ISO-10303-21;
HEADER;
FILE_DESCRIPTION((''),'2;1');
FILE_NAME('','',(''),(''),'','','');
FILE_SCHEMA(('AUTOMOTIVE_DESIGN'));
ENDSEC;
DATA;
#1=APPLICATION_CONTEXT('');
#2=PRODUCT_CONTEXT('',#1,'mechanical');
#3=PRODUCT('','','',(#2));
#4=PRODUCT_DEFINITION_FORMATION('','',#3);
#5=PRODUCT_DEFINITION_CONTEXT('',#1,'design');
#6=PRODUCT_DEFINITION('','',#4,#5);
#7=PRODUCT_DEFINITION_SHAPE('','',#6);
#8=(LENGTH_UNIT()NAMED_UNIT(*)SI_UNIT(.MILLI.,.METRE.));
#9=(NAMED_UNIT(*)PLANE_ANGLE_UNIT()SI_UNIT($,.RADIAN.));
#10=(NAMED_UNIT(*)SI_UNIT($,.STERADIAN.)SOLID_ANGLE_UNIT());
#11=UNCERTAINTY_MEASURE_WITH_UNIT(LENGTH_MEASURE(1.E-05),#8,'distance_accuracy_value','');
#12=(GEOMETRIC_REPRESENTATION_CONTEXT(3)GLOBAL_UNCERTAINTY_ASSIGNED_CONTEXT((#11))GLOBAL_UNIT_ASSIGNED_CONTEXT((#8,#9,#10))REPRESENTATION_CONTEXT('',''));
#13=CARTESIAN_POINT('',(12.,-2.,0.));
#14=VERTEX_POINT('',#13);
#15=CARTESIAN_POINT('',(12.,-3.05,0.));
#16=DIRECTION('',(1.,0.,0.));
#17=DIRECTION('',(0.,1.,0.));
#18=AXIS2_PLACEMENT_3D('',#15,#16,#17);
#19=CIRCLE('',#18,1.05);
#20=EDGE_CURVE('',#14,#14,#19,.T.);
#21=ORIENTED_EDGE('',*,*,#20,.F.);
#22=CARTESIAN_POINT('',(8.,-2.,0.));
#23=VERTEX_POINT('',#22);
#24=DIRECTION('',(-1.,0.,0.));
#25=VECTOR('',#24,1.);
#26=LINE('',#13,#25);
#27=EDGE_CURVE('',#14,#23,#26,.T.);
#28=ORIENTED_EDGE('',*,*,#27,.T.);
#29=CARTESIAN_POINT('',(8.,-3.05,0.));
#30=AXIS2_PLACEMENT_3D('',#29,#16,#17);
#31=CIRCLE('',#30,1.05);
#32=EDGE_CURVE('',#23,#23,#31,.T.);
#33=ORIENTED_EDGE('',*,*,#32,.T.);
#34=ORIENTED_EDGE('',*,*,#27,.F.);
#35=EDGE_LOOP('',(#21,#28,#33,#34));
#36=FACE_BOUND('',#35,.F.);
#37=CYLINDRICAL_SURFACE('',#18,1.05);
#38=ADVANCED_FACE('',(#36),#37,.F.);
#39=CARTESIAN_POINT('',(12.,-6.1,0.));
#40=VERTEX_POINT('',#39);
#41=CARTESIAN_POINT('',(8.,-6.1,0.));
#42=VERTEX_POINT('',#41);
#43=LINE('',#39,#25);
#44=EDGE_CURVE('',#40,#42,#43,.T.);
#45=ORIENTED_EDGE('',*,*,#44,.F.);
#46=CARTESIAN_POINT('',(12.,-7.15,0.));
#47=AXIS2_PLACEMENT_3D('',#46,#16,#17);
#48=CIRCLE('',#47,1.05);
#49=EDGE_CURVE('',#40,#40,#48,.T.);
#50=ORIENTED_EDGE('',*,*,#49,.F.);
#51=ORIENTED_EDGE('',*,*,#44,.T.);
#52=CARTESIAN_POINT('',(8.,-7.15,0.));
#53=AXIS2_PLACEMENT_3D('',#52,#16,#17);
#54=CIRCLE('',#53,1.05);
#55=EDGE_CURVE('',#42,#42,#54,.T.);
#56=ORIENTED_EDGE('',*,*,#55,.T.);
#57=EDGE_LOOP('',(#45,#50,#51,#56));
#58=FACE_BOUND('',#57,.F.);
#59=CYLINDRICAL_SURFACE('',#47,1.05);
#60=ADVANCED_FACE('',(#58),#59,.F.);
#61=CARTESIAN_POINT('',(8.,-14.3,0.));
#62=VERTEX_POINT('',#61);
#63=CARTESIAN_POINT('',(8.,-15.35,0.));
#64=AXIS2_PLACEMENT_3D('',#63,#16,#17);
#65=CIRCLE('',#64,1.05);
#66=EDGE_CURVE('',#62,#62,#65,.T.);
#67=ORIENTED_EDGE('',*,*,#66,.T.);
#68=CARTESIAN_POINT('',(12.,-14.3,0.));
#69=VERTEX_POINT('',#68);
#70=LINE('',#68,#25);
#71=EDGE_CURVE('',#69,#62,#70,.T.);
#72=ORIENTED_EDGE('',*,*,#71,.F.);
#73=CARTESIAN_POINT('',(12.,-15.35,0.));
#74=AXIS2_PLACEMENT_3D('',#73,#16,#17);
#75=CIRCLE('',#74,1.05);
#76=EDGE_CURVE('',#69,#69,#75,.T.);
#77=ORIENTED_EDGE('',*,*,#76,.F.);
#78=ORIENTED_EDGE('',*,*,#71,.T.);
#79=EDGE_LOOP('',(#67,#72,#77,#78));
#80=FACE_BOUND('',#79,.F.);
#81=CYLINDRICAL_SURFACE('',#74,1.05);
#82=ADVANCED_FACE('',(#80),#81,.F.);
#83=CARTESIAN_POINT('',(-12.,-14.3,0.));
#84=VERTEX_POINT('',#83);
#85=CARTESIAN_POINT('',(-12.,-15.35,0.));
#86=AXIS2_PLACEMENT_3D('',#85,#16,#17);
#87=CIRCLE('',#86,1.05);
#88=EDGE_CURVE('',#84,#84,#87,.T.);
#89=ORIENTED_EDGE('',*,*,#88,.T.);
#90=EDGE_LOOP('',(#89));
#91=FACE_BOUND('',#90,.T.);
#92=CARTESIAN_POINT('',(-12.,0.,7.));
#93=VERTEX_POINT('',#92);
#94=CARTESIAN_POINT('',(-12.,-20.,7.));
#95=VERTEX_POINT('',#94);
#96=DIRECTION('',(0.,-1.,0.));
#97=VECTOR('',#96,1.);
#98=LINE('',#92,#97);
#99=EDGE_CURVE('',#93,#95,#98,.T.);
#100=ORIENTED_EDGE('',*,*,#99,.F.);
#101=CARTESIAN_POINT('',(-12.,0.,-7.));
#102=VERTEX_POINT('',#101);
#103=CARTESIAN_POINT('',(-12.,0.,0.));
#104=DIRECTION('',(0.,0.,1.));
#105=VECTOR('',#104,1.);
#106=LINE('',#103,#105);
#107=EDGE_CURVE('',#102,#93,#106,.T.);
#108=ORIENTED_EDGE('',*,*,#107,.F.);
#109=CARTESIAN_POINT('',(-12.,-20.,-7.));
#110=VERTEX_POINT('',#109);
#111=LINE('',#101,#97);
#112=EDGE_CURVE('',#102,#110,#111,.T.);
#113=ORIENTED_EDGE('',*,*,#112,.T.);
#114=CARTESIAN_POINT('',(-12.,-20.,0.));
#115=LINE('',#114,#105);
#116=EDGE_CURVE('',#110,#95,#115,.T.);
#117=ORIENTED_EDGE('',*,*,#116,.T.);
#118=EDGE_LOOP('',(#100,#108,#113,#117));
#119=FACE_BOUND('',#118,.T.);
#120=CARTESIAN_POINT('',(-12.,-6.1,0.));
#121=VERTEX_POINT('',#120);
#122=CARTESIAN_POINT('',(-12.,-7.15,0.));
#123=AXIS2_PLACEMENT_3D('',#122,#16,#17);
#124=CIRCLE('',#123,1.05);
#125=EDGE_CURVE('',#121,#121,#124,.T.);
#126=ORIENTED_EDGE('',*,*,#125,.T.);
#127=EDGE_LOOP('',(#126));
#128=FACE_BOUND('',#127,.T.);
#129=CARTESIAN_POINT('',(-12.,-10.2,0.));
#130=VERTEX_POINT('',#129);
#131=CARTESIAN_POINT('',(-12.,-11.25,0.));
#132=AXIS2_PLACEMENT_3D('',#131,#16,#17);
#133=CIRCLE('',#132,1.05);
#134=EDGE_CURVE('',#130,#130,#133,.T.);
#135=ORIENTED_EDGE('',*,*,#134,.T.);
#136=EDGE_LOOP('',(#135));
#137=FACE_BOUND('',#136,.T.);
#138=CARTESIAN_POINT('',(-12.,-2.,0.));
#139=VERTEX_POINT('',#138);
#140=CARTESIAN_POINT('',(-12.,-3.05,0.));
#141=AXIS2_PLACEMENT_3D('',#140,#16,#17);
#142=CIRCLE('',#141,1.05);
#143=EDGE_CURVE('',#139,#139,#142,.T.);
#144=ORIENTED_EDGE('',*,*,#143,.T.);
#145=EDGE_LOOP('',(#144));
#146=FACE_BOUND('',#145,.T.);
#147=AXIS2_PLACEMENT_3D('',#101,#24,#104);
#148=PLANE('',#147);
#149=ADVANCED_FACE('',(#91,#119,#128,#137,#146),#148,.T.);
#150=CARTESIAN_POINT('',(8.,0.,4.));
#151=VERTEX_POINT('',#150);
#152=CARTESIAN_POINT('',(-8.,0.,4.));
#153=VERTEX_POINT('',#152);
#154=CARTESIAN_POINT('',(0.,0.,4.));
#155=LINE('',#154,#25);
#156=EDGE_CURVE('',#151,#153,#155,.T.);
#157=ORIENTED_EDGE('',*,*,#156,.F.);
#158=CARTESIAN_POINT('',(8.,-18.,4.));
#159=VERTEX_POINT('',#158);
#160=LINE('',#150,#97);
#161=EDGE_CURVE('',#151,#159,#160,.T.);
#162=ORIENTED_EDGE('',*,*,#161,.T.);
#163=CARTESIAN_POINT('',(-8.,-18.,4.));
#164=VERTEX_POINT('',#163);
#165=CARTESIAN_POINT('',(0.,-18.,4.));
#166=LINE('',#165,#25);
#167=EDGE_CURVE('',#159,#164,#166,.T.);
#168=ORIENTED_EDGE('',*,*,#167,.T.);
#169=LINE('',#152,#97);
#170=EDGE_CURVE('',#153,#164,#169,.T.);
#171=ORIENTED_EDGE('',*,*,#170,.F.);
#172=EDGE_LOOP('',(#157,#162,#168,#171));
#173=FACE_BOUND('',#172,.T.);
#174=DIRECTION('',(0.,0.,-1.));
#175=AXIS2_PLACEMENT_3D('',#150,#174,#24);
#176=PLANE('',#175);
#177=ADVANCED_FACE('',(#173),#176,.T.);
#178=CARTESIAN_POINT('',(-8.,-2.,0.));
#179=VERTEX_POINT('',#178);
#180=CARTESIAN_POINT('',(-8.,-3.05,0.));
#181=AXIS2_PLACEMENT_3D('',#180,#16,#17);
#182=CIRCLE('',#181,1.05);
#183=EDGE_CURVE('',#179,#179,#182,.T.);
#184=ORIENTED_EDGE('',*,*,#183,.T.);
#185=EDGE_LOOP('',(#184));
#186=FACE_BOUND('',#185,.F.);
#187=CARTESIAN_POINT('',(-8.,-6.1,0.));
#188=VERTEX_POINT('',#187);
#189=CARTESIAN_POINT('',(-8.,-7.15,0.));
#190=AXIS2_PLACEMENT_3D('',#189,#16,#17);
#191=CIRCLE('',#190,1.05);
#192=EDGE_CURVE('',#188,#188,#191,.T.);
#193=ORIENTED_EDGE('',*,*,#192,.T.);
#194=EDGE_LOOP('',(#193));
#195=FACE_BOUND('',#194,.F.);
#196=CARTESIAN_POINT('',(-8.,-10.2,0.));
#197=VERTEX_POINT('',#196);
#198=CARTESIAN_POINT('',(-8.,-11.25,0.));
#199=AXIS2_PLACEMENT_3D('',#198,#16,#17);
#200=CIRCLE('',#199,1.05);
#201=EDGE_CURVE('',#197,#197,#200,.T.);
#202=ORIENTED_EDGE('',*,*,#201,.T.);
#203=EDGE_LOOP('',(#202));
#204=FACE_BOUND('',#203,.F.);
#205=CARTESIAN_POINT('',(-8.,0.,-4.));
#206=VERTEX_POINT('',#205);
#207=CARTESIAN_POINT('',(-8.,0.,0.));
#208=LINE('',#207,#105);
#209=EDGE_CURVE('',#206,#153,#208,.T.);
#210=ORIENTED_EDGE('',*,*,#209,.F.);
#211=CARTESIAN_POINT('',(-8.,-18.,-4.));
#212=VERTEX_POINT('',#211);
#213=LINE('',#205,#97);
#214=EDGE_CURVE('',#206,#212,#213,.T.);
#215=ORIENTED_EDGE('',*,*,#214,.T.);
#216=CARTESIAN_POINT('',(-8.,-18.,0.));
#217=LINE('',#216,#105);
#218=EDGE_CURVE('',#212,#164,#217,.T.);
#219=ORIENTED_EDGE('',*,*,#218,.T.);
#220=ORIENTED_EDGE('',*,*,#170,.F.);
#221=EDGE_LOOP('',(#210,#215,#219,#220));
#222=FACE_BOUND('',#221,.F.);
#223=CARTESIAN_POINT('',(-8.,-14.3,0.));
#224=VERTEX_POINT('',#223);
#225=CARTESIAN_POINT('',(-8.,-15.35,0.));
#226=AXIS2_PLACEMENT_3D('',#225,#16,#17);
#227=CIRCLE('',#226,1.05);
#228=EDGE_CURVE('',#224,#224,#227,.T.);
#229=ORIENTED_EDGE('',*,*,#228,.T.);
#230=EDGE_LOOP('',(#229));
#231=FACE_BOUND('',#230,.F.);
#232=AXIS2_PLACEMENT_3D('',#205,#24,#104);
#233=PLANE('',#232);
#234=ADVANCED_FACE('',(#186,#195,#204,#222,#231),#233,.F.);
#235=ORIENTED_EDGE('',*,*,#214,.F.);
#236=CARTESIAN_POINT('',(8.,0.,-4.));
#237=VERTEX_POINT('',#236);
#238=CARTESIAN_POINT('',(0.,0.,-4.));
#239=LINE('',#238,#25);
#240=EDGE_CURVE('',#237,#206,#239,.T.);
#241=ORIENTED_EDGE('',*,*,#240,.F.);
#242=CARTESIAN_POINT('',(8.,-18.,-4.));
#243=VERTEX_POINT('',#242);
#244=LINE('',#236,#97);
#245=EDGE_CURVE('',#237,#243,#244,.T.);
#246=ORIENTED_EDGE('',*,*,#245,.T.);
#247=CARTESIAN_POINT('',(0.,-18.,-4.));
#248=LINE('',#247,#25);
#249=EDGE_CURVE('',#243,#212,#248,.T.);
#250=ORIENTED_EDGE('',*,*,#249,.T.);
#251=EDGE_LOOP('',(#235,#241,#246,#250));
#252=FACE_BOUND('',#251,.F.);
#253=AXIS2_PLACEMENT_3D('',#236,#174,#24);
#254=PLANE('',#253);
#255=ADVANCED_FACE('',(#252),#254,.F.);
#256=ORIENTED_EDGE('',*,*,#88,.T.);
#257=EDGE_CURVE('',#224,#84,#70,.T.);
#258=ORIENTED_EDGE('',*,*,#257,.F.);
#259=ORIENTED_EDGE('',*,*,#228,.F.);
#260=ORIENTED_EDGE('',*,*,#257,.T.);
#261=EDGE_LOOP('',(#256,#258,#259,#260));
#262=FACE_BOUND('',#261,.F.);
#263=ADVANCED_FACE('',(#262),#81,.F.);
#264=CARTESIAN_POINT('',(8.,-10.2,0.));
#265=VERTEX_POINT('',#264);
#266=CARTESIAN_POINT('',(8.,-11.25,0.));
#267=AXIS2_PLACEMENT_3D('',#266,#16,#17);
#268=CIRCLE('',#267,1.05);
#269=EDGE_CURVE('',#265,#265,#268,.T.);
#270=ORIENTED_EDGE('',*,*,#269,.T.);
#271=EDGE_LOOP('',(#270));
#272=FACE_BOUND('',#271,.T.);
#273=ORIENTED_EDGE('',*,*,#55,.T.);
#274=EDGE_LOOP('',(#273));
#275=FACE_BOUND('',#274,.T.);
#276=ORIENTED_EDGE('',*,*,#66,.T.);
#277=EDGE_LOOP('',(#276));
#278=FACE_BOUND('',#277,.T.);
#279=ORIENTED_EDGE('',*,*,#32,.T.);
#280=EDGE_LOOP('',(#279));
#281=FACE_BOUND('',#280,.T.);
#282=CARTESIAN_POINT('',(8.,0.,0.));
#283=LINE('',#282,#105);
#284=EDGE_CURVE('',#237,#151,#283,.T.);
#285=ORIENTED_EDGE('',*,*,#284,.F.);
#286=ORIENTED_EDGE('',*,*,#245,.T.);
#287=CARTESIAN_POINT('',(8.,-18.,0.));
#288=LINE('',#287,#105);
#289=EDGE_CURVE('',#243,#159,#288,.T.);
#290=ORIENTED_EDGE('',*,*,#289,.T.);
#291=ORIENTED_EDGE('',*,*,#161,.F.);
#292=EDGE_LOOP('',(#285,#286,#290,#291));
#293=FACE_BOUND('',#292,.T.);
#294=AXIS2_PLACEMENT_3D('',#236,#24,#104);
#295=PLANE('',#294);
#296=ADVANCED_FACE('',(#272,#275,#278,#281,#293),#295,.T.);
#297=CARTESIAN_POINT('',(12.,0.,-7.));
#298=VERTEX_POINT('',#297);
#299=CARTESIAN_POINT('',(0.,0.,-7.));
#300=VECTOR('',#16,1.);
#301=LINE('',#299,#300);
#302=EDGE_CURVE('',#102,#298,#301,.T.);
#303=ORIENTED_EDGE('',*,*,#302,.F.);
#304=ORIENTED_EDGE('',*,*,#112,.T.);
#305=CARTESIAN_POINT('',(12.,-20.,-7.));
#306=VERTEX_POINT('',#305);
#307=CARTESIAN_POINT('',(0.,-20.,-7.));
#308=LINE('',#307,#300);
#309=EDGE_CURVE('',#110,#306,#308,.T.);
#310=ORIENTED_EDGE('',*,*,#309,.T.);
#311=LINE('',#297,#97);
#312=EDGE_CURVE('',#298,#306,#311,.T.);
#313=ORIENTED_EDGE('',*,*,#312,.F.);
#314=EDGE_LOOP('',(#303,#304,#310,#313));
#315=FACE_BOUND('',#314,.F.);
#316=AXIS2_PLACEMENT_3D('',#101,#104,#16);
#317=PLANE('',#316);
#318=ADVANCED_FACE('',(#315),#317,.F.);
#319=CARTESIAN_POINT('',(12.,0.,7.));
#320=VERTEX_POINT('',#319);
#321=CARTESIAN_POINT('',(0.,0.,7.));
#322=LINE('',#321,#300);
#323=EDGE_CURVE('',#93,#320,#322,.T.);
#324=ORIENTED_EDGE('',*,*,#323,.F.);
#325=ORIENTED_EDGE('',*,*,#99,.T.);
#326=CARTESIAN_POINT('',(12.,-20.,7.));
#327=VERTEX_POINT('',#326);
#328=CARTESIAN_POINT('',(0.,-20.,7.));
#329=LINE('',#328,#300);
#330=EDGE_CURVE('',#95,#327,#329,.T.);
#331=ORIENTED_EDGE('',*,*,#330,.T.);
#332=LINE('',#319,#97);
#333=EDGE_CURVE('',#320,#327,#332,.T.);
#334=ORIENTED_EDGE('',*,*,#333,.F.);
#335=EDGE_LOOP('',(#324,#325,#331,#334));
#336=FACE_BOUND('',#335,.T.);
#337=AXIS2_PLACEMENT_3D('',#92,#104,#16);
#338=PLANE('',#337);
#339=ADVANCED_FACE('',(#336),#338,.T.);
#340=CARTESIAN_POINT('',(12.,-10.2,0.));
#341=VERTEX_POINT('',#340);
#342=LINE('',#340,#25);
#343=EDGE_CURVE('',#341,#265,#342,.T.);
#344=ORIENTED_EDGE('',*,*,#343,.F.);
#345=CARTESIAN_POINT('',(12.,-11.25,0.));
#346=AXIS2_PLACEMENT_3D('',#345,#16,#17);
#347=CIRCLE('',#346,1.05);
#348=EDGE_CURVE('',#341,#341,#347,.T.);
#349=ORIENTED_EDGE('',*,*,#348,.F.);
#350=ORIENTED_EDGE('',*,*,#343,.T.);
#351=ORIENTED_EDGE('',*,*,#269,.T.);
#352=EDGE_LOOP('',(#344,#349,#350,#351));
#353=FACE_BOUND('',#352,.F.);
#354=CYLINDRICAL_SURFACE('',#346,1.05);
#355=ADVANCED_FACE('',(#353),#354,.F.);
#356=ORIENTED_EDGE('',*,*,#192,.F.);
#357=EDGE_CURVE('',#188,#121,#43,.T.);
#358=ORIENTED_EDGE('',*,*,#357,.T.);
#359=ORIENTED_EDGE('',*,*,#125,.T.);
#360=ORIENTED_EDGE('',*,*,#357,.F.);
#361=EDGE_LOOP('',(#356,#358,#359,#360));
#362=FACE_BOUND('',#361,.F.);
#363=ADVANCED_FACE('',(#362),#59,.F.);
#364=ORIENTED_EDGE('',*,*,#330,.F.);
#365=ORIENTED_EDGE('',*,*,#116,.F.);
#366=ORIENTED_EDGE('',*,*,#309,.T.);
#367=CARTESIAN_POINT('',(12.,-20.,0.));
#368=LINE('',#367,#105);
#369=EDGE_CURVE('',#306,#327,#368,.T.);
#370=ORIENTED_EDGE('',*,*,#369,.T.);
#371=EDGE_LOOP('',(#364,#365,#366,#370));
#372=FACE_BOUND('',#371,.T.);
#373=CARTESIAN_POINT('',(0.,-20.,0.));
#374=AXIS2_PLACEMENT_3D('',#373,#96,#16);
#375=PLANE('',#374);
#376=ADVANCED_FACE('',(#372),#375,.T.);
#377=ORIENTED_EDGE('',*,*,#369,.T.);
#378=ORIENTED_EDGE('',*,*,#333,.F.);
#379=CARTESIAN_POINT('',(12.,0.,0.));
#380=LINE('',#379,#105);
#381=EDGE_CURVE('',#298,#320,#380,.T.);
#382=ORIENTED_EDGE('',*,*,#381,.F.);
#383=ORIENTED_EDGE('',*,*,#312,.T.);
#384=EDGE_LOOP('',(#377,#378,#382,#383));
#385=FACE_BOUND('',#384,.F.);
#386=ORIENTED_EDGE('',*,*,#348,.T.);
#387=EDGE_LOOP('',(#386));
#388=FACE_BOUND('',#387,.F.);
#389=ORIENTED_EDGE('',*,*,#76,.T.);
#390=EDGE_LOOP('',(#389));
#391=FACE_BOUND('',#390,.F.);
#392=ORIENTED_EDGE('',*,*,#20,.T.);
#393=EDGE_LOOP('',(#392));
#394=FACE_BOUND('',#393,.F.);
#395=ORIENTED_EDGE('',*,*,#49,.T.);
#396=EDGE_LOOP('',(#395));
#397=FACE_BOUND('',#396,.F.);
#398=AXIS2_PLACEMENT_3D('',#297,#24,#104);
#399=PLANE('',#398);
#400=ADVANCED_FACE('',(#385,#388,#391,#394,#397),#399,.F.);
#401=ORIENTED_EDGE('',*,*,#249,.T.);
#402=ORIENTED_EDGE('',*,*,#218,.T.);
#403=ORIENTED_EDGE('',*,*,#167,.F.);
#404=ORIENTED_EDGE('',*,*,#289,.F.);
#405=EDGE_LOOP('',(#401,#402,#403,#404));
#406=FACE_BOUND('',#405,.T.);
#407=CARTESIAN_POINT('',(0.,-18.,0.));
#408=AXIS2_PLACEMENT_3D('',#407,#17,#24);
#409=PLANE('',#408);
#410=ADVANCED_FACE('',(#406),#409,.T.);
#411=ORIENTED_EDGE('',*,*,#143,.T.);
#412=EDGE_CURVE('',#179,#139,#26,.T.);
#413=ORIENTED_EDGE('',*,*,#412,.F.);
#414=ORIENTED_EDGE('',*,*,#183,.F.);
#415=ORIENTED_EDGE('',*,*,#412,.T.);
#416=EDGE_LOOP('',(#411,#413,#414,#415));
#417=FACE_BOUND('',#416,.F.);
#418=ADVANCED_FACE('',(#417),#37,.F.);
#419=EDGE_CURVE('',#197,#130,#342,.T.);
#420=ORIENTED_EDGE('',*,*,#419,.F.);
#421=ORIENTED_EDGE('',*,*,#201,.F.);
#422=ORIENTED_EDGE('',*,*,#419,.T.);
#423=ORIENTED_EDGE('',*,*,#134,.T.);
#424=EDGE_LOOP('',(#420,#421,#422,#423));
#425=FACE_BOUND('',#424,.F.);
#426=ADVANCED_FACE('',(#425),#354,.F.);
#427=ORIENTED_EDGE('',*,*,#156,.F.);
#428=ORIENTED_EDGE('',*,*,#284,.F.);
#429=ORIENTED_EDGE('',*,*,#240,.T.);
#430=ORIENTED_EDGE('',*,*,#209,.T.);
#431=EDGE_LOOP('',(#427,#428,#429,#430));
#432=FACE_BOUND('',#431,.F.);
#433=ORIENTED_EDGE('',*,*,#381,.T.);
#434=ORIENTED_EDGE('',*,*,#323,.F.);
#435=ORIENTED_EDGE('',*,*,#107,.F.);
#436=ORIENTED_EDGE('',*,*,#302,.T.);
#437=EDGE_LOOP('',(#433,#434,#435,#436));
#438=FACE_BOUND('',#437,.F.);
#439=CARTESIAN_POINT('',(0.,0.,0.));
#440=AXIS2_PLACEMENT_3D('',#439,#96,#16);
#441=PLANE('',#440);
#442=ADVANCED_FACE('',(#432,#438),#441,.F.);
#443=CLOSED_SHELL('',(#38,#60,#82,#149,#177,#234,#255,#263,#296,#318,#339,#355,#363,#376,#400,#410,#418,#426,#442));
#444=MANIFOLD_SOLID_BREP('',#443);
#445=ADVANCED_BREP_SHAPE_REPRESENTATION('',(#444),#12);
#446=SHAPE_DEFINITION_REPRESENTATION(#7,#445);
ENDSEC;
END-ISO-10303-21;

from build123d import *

# Parameters (mm, degrees)
F0_W     = 24
F0_H     = 14
F1_DEPTH = 20
F2_W     = 16
F2_H     = 8
F3_DEPTH = 18
F4_R     = 1.05
F5_DEPTH = 24.001


with BuildPart() as f1:
    # F0 (on Front) → F1 (new body)
    with BuildSketch(Plane.XZ):
        Rectangle(F0_W, F0_H)
    extrude(amount=F1_DEPTH)

    # F2 (on face) → F3 (cut)
    with BuildSketch(Plane(origin=(0, 0, 0), x_dir=(-1, 0, 0), z_dir=(0, 1, 0))):
        Rectangle(F2_W, F2_H)
    extrude(amount=-F3_DEPTH, mode=Mode.SUBTRACT)

    # F4 (on face) → F5 (cut, through all)
    with BuildSketch(Plane.YZ.offset(12)):
        with Locations((-15.35, 0)):
            Circle(F4_R)
        with Locations((-11.25, 0)):
            Circle(F4_R)
        with Locations((-3.05, 0)):
            Circle(F4_R)
        with Locations((-7.15, 0)):
            Circle(F4_R)
    extrude(amount=-F5_DEPTH, mode=Mode.SUBTRACT)


solid = f1.part
